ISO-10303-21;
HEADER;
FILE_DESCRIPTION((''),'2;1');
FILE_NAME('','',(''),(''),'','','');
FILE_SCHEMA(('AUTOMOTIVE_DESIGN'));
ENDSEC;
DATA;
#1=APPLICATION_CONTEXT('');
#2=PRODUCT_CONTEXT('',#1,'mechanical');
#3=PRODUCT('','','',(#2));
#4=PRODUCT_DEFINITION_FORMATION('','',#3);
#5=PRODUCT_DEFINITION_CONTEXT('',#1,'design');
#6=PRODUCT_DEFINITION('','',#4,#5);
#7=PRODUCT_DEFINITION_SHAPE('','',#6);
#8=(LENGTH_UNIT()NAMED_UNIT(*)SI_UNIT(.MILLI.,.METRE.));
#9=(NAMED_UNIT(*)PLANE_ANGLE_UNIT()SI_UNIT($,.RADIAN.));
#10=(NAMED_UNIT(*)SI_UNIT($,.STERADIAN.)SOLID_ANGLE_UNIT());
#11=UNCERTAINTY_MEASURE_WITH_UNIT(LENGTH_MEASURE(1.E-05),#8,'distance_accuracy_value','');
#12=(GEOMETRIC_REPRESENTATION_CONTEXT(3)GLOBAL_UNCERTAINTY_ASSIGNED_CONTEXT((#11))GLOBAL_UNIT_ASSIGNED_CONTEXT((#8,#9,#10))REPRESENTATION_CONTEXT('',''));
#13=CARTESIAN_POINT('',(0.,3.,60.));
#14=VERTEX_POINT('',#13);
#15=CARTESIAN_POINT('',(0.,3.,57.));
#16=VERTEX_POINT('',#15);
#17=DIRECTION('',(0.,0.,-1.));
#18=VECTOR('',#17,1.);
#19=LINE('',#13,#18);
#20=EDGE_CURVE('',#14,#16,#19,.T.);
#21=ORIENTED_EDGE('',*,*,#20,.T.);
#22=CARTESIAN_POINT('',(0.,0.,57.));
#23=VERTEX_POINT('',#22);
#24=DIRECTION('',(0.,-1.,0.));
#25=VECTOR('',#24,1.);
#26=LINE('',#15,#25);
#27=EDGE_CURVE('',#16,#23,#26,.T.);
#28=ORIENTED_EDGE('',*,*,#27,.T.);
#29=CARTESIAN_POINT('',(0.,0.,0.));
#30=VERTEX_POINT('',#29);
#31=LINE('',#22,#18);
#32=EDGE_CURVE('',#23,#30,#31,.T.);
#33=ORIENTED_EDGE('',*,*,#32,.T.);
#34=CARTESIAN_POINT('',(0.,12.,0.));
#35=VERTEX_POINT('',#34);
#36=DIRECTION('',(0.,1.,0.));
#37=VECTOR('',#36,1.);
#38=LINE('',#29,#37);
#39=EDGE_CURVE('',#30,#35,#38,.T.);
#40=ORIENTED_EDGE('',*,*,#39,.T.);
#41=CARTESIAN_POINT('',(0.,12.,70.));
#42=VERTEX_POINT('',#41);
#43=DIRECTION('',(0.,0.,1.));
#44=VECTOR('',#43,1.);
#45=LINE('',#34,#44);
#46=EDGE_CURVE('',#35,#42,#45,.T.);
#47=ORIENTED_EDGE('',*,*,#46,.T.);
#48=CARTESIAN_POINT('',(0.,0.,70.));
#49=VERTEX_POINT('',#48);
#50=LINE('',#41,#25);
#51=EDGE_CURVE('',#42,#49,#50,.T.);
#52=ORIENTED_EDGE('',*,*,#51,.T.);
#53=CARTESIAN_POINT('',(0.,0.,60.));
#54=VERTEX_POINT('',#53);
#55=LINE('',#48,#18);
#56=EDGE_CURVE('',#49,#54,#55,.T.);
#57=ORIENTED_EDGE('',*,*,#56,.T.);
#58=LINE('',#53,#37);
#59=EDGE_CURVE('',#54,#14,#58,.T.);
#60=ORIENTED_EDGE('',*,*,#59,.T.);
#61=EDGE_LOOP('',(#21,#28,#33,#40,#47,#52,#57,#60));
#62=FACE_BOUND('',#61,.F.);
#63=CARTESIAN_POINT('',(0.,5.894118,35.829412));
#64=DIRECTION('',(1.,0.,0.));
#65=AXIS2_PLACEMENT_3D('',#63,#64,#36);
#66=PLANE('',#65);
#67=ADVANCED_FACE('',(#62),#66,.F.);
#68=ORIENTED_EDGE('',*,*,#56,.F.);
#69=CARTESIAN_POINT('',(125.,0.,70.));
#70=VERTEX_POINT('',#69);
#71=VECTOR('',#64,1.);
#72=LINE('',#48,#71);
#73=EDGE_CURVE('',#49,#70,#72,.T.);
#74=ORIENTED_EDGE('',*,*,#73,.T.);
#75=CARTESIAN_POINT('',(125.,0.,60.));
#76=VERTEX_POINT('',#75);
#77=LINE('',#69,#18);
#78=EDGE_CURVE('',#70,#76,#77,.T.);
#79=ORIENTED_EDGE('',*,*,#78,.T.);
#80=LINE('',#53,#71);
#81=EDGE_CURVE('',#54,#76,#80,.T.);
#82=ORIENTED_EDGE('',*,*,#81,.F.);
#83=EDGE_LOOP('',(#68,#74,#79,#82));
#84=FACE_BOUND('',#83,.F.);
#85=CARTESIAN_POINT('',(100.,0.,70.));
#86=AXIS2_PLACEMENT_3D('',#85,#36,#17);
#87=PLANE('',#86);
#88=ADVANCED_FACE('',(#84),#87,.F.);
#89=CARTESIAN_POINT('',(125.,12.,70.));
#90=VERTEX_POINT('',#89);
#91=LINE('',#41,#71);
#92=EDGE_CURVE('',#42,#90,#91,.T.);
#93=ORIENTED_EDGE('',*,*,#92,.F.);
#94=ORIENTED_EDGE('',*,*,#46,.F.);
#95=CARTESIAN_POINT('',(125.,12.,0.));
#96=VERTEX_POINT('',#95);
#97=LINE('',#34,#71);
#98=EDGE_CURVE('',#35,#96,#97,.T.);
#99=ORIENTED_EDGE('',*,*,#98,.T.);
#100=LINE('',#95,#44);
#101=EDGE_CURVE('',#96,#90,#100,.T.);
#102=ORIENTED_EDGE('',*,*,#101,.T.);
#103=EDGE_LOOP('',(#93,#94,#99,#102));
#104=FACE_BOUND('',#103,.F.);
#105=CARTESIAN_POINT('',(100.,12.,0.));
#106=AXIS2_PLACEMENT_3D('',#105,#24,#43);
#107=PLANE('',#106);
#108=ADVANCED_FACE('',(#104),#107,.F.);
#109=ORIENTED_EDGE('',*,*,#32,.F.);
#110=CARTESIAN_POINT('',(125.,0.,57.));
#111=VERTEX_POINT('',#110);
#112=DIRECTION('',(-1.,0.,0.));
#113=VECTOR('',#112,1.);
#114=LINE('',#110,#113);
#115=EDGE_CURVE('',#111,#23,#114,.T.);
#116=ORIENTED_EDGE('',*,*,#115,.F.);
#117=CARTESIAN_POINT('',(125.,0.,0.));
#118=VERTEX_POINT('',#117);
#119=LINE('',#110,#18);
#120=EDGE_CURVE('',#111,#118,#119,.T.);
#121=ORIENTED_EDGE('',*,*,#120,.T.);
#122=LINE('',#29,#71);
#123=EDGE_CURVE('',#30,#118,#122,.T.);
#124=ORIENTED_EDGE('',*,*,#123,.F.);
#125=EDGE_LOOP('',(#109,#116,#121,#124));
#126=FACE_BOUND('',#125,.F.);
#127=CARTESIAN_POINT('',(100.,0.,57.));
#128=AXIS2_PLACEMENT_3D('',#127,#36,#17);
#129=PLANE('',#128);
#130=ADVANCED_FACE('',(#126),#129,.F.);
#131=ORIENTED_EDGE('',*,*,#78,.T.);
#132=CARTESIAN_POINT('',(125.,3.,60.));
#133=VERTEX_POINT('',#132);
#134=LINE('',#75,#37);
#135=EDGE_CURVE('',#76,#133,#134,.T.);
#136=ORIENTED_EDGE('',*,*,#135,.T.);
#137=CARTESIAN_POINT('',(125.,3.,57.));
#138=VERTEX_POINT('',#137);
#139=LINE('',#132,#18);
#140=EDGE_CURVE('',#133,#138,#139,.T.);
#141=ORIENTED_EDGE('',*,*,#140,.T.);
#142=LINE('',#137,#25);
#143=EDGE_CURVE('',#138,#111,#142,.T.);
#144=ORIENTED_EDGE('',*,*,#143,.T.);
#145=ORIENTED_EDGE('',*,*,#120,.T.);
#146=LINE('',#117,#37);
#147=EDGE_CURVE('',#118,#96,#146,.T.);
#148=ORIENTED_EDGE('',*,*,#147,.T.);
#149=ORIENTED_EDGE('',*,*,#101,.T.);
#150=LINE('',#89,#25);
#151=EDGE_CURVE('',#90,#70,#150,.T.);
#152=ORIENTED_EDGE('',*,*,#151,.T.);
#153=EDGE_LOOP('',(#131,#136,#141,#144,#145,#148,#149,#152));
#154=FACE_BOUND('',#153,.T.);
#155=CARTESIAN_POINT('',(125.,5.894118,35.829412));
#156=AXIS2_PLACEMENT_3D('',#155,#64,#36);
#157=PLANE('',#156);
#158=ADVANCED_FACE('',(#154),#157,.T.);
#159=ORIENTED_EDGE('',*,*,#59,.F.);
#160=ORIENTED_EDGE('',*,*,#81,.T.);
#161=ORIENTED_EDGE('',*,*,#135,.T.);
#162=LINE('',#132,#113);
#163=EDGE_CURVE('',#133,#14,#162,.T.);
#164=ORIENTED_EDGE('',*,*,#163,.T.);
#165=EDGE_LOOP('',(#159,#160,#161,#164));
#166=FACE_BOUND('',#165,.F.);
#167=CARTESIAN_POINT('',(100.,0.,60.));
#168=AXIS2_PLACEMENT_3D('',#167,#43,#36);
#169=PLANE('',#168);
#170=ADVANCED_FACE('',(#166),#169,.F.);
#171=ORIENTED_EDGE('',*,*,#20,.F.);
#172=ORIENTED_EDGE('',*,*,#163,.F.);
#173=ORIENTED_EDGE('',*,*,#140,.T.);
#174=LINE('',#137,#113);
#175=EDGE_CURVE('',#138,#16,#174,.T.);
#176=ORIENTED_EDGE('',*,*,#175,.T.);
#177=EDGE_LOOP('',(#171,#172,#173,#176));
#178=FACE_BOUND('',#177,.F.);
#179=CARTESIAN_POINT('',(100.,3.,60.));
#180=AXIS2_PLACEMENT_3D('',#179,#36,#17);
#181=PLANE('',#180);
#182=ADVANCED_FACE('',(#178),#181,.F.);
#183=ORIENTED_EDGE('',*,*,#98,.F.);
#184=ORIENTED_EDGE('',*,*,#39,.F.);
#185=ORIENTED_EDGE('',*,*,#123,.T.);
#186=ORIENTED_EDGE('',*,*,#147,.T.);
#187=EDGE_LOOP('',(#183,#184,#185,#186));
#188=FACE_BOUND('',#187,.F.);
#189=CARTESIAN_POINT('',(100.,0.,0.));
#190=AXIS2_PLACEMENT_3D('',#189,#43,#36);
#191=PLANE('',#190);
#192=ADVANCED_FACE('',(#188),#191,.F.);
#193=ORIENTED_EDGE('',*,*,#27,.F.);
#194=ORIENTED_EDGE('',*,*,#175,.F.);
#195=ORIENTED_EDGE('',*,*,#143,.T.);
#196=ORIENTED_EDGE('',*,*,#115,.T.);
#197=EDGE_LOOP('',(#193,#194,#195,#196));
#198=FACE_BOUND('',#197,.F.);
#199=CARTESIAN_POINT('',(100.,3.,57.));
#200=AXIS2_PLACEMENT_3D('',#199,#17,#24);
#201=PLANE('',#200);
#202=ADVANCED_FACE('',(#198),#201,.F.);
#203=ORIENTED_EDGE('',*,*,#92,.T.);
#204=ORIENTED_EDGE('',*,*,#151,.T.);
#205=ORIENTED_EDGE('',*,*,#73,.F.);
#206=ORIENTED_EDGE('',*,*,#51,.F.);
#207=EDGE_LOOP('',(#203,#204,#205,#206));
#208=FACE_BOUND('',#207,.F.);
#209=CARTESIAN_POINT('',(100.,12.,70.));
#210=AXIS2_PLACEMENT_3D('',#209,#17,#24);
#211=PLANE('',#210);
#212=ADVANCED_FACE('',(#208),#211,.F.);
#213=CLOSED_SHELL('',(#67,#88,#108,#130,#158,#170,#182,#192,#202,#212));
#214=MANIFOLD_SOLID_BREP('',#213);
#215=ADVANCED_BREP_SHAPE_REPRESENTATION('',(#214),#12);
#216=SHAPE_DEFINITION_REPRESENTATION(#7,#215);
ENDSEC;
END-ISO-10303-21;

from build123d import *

# Parameters (mm, degrees)
F1_DEPTH = 25
F2_DEPTH = 25
F3_DEPTH = 25
F4_DEPTH = 25
F5_DEPTH = 25


with BuildPart() as f1:
    # F0 (on Right) → F1 (new body)
    with BuildSketch(Plane.YZ):
        Polygon((0, 57), (0, 0), (12, 0), (12, 70), (0, 70), (0, 60), (3, 60), (3, 57), align=None)
    extrude(amount=F1_DEPTH)

    # F2 (add): a face of the model
    f2_faces = [f1.faces().sort_by_distance(p)[0] for p in [
        (25, 6.0487364621, 34.7454873646),
    ]]
    extrude(f2_faces, amount=F2_DEPTH)

    # F3 (add): a face of the model
    f3_faces = [f1.faces().sort_by_distance(p)[0] for p in [
        (50, 6.0487364621, 34.7454873646),
    ]]
    extrude(f3_faces, amount=F3_DEPTH)

    # F4 (add): a face of the model
    f4_faces = [f1.faces().sort_by_distance(p)[0] for p in [
        (75, 6.0487364621, 34.7454873646),
    ]]
    extrude(f4_faces, amount=F4_DEPTH)

    # F5 (add): a face of the model
    f5_faces = [f1.faces().sort_by_distance(p)[0] for p in [
        (100, 6.0487364621, 34.7454873646),
    ]]
    extrude(f5_faces, amount=F5_DEPTH)


solid = f1.part
